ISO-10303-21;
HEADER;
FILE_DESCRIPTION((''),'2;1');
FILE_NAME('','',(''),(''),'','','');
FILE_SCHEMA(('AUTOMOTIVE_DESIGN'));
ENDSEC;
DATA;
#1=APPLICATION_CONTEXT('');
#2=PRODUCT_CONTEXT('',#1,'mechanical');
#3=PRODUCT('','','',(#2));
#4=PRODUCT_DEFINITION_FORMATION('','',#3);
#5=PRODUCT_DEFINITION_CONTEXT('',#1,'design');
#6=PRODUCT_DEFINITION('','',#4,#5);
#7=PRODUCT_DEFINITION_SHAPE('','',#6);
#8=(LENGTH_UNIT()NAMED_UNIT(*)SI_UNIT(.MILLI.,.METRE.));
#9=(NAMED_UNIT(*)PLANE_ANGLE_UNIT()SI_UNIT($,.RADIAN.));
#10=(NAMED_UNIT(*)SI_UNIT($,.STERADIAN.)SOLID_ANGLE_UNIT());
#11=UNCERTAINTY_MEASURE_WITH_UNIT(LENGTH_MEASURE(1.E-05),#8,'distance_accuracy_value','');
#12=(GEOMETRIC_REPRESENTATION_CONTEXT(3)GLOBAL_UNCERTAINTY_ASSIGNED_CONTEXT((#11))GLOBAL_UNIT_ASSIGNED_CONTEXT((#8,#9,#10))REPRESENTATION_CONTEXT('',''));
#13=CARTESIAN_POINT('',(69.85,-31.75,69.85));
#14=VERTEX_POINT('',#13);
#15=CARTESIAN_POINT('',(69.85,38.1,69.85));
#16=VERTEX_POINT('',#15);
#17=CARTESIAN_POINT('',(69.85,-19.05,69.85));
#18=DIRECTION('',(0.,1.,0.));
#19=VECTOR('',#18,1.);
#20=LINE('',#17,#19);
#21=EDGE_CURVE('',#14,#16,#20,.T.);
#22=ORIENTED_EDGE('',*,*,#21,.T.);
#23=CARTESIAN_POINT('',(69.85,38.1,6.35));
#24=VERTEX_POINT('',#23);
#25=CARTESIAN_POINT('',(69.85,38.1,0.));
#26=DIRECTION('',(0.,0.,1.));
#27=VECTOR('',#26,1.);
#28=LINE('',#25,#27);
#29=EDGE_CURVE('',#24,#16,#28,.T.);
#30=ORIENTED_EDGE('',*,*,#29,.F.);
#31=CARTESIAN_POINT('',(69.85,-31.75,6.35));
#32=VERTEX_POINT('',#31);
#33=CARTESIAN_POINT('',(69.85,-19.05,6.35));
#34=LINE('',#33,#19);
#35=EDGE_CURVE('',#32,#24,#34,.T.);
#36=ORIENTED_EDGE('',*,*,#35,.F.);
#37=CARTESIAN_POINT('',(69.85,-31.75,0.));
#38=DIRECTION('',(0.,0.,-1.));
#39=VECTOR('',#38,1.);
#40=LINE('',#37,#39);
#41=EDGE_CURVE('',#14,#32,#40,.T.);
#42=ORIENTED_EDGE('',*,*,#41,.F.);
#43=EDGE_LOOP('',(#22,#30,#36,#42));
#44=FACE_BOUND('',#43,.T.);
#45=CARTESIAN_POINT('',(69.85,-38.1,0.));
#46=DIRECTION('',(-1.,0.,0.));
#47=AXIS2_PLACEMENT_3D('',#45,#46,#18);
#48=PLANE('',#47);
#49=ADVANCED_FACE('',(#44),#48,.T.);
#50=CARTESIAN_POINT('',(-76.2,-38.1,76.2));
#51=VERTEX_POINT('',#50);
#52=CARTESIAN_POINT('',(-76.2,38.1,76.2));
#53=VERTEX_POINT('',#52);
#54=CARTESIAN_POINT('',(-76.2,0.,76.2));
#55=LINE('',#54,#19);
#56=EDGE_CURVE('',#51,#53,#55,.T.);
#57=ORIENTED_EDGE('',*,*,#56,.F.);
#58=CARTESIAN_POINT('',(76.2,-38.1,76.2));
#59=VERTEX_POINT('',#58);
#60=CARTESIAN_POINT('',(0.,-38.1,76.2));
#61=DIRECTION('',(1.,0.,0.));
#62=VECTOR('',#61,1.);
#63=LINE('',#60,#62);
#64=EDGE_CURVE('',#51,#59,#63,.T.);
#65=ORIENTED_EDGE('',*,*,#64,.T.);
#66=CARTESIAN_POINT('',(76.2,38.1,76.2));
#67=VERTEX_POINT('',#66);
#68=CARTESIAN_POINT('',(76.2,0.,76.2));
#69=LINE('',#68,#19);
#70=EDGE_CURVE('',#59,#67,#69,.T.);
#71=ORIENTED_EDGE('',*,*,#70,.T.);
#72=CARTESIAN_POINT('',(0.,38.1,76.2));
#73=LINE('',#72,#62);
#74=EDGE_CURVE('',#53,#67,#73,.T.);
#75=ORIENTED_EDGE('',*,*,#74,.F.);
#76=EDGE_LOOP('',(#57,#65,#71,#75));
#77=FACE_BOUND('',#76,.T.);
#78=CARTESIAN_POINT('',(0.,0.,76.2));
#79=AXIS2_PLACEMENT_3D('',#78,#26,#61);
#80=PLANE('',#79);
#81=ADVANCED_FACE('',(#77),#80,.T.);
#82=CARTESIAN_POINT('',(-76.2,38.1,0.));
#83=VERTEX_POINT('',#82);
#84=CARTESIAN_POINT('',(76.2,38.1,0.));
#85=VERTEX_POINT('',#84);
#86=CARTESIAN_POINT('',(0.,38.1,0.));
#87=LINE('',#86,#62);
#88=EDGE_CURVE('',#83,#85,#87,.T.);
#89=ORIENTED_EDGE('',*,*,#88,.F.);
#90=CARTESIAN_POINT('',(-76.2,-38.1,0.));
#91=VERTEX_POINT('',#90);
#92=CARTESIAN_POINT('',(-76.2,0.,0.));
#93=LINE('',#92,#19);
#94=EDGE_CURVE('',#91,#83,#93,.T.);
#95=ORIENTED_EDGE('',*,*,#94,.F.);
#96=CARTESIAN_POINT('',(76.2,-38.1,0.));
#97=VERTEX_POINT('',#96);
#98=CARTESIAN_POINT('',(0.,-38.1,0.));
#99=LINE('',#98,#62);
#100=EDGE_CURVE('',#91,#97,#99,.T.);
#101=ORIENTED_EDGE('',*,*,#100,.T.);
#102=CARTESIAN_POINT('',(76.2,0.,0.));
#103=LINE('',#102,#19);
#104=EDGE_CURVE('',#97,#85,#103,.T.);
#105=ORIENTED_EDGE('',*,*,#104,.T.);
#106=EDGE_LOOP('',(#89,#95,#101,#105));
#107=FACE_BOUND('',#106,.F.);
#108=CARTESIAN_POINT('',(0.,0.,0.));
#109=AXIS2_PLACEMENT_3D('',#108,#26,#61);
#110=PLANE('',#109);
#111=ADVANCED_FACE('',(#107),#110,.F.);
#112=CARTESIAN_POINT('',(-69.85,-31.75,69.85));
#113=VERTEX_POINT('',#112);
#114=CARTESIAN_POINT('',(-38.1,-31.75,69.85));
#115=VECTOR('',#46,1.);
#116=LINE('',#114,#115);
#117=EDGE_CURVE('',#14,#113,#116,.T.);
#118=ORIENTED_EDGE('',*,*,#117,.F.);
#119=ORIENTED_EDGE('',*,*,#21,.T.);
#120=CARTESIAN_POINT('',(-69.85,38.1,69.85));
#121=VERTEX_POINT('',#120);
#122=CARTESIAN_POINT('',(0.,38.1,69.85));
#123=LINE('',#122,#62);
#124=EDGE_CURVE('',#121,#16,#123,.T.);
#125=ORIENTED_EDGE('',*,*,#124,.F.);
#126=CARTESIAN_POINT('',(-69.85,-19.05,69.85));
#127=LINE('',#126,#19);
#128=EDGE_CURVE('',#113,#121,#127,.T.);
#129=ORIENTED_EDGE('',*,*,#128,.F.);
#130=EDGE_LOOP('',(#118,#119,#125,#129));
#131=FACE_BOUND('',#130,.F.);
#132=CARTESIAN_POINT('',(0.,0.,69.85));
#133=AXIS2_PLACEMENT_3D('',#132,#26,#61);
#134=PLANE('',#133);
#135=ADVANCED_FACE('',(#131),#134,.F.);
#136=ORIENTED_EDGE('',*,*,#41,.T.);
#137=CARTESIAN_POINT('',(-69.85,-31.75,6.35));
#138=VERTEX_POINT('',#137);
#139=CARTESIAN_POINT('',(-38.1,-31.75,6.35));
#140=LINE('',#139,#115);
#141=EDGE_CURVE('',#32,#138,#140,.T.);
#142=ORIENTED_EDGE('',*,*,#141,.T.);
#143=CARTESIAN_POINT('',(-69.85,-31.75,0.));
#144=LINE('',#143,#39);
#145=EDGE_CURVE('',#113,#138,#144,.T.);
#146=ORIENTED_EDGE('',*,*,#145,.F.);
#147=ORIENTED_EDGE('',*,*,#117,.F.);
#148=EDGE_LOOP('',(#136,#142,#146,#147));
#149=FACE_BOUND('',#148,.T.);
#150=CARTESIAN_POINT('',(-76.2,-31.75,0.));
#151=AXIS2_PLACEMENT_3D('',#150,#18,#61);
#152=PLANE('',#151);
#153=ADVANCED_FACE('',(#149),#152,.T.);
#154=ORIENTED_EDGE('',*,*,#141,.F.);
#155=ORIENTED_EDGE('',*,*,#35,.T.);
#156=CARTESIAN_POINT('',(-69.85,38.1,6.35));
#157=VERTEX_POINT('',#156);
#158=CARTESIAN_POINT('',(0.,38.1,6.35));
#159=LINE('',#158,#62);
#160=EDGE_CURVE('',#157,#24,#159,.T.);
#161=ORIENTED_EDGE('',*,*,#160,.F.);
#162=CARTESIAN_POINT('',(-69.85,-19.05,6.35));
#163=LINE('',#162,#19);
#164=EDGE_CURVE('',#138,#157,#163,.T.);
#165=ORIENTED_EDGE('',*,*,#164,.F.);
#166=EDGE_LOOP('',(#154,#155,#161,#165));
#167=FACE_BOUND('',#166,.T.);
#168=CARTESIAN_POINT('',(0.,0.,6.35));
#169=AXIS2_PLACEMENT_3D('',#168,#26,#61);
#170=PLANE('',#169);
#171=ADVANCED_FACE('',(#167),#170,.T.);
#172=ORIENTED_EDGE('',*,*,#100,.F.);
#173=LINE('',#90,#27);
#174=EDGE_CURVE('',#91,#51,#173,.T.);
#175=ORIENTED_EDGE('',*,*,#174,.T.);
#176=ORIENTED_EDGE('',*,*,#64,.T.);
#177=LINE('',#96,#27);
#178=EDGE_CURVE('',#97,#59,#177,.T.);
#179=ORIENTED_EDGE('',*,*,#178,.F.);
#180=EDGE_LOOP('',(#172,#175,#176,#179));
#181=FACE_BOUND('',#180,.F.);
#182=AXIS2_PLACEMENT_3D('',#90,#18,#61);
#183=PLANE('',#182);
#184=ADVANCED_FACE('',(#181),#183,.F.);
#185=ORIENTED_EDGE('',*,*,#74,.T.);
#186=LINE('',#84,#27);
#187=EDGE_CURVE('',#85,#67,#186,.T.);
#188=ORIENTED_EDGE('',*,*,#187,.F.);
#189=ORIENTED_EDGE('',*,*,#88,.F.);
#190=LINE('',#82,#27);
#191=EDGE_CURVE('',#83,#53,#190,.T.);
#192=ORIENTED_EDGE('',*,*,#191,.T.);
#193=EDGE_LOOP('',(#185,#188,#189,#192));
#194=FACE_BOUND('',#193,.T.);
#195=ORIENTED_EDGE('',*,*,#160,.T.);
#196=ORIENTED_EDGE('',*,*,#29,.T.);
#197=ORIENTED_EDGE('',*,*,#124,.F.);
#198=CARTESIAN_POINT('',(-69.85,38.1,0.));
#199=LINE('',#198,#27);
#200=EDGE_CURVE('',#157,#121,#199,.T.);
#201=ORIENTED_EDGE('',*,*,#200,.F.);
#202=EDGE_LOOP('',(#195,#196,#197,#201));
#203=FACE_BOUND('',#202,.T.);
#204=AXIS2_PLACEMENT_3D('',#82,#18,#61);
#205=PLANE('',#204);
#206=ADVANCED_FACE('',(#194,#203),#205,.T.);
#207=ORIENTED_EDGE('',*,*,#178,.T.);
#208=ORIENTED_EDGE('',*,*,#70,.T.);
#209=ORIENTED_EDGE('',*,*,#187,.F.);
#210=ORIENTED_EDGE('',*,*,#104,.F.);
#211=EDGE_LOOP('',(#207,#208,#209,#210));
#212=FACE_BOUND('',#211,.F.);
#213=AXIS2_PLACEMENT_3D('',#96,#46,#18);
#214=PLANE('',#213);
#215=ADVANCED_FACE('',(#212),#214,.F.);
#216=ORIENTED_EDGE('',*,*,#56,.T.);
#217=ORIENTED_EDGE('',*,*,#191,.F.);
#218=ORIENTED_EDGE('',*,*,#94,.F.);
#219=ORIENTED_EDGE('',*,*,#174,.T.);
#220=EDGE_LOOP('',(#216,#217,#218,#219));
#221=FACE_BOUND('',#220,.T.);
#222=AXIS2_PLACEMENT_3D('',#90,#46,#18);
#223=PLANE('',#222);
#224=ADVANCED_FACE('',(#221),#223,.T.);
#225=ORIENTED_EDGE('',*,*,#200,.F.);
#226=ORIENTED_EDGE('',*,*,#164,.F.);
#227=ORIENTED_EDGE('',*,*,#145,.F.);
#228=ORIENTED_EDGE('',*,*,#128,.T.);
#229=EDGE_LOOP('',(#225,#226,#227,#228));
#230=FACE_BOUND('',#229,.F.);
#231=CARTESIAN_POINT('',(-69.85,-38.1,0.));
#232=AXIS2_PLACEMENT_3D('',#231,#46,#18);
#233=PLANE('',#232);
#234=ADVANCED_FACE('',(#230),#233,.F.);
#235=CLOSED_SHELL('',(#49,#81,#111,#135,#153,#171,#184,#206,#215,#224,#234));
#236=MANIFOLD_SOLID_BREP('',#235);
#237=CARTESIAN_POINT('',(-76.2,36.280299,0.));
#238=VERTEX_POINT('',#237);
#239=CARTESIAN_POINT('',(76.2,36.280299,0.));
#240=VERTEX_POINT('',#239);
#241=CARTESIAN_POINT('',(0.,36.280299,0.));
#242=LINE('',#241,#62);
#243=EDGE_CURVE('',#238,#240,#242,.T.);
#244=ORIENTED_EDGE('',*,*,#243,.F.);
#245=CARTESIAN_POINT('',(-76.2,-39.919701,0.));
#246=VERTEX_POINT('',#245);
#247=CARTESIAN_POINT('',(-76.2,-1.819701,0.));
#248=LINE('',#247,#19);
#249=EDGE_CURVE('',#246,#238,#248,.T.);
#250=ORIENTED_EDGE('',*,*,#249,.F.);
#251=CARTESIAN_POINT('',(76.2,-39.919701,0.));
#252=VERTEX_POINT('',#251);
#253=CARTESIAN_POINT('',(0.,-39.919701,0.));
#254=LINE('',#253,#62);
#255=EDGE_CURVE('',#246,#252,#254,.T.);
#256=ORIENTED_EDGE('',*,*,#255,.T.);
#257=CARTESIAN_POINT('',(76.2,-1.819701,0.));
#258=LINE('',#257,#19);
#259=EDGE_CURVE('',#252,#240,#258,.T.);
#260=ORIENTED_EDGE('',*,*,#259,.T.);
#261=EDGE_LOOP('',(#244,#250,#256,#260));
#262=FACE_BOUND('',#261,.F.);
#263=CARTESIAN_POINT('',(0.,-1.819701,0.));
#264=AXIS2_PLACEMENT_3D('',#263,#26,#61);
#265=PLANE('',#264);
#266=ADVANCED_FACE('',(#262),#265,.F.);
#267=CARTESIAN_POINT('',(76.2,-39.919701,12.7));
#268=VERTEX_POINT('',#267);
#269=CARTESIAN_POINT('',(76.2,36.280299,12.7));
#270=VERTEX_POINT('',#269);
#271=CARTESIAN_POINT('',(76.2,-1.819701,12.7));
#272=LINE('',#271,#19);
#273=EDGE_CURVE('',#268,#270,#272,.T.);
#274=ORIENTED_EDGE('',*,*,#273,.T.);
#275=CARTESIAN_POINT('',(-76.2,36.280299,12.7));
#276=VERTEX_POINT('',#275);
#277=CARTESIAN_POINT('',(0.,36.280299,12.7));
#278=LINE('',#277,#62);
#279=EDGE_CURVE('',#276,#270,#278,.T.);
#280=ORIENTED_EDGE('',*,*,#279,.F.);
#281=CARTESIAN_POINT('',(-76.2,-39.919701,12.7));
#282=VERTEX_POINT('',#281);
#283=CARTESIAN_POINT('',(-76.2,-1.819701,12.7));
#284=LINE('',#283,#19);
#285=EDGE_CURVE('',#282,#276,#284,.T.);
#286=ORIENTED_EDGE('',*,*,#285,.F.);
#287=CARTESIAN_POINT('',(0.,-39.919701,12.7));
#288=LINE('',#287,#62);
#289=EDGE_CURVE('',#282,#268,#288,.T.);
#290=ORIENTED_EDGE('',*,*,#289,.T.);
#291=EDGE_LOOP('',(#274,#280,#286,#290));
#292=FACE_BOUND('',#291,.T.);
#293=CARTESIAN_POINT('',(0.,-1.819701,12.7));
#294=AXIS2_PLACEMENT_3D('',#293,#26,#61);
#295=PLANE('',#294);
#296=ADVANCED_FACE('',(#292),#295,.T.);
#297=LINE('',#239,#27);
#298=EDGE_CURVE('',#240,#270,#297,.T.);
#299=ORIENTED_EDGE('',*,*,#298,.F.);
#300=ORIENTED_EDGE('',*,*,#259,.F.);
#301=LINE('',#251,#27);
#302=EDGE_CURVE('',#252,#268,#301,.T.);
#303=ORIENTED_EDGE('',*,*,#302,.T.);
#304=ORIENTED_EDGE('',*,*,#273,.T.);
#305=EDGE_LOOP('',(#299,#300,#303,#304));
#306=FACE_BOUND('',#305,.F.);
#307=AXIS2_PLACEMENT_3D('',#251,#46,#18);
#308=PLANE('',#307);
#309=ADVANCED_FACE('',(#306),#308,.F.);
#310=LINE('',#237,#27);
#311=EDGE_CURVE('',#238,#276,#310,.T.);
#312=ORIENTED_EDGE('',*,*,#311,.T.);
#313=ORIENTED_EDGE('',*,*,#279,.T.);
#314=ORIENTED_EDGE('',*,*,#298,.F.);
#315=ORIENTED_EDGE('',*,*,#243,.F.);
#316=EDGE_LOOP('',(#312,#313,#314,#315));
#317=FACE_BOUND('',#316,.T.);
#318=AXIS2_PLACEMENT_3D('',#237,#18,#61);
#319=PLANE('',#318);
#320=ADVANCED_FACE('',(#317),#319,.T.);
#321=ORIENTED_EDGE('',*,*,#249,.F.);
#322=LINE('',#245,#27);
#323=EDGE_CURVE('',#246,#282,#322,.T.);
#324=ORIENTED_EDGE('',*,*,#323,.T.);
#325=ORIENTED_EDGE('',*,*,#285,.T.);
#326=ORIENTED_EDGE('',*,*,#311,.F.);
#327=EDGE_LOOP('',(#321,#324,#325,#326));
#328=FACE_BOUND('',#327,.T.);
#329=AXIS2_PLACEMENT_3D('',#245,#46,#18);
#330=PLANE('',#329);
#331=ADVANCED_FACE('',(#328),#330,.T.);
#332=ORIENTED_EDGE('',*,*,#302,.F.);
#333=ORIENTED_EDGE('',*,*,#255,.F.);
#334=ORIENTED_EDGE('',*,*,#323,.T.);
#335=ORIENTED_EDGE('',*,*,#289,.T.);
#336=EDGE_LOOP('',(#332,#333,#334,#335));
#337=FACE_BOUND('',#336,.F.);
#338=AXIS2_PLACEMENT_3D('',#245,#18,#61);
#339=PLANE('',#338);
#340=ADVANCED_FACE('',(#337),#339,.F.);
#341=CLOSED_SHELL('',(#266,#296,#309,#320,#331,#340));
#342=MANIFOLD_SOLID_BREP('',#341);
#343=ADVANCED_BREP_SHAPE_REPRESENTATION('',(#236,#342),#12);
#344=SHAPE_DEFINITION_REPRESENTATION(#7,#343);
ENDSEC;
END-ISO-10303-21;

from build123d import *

# Parameters (mm, degrees)
F0_W     = 152.4
F0_H     = 76.2
F1_DEPTH = 76.2
F2_T     = -6.35
F3_W     = 152.4
F3_H     = 76.2
F4_DEPTH = 12.7


with BuildPart() as f1:
    # F0 (on Top) → F1 (new body)
    with BuildSketch(Plane.XY):
        Rectangle(F0_W, F0_H)
    extrude(amount=F1_DEPTH)

    # F2
    f2_openings = [f1.faces().sort_by_distance(p)[0] for p in [
        (0, 38.1, 38.1),
    ]]
    offset(amount=F2_T, openings=f2_openings)


with BuildPart() as f4:
    # F3 (on Top) → F4 (new body)
    with BuildSketch(Plane.XY):
        with Locations((0, -1.819701)):
            Rectangle(F3_W, F3_H)
    extrude(amount=F4_DEPTH)


solid = Compound([f1.part, f4.part])
